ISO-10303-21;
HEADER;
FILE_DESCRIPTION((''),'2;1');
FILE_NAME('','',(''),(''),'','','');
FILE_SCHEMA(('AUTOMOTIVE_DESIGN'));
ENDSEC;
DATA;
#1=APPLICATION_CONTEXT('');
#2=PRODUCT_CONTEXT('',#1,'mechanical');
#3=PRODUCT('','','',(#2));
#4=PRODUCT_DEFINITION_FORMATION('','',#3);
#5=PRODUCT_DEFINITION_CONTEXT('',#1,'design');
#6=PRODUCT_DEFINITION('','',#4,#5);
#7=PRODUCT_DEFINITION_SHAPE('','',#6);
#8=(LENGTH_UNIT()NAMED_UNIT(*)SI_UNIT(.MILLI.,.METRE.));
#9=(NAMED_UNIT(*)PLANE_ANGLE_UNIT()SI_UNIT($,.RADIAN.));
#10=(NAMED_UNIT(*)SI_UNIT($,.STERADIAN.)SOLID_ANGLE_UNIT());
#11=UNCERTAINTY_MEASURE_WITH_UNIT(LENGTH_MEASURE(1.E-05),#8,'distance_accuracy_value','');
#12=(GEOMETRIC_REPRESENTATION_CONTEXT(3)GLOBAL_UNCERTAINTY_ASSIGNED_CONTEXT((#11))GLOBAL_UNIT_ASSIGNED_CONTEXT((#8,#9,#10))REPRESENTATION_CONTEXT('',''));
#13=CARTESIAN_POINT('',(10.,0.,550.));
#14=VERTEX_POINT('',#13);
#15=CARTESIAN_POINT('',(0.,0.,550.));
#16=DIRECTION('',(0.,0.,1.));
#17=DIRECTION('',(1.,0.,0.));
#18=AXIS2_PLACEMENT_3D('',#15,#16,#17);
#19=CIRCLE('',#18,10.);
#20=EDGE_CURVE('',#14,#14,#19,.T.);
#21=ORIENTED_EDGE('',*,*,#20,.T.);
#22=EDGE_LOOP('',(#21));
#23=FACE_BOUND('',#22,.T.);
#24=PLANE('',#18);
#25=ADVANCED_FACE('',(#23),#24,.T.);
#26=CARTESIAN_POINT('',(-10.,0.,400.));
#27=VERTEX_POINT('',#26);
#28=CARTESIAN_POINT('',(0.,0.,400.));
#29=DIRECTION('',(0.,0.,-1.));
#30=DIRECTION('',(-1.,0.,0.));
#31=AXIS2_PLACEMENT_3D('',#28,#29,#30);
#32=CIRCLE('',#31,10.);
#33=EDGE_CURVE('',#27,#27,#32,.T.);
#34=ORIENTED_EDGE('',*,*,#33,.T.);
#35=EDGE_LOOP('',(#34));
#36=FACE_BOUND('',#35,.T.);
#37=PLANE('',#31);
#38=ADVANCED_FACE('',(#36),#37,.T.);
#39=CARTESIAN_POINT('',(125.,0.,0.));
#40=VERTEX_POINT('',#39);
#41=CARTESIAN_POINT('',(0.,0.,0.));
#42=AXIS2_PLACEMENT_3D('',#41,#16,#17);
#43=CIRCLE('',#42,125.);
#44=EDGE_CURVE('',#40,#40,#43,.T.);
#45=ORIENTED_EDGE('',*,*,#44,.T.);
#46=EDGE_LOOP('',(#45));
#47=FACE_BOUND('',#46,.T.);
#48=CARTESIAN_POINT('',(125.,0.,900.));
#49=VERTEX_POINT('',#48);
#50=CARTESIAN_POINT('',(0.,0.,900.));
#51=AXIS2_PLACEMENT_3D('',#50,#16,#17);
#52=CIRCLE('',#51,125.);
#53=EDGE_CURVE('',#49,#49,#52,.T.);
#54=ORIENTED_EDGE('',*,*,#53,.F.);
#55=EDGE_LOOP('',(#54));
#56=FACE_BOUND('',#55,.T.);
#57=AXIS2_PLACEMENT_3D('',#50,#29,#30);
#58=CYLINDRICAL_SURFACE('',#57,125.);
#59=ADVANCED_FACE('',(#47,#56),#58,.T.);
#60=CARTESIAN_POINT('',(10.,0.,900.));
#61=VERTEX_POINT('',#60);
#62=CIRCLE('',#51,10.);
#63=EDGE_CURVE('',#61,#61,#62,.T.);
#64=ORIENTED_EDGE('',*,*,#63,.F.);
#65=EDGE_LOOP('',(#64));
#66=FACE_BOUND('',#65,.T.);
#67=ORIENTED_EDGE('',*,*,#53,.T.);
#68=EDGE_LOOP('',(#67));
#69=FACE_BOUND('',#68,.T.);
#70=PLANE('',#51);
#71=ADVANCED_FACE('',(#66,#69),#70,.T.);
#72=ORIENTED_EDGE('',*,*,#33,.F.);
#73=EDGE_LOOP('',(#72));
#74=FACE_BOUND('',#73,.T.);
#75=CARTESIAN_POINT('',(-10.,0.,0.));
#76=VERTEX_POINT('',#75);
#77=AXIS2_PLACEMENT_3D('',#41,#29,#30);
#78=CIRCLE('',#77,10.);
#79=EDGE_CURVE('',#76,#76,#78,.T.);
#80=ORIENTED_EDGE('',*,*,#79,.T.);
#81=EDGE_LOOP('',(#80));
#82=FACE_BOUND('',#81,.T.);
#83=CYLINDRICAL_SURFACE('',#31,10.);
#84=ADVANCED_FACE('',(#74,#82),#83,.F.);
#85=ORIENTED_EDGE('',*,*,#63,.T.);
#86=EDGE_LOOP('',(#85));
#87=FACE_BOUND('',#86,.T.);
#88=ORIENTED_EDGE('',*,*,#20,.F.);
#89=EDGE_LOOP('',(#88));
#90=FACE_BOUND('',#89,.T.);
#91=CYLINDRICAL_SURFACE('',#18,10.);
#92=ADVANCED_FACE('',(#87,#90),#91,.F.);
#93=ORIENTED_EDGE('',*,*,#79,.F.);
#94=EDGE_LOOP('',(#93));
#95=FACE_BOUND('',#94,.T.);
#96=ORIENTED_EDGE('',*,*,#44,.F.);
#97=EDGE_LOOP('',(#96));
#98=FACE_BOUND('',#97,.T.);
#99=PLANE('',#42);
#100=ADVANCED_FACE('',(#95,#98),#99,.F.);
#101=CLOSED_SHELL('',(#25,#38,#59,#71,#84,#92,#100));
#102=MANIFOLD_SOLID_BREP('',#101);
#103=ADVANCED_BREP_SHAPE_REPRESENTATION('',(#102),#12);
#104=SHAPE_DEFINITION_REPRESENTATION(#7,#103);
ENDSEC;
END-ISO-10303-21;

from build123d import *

# Parameters (mm, degrees)
SKETCH1_R           = 125
BOSS_EXTRUDE1_DEPTH = 900
SKETCH2_R           = 10
CUT_EXTRUDE1_DEPTH  = 350
SKETCH3_R           = 10
CUT_EXTRUDE2_DEPTH  = 400


with BuildPart() as part:
    # Sketch1 → Boss-Extrude1 (new body)
    with BuildSketch(Plane.XY):
        Circle(SKETCH1_R)
    extrude(amount=BOSS_EXTRUDE1_DEPTH)

    # Sketch2 → Cut-Extrude1 (cut)
    with BuildSketch(Plane.XY.offset(900)):
        Circle(SKETCH2_R)
    extrude(amount=-CUT_EXTRUDE1_DEPTH, mode=Mode.SUBTRACT)

    # Sketch3 → Cut-Extrude2 (cut)
    with BuildSketch(Plane(origin=(0, 0, 0), x_dir=(-1, 0, 0), z_dir=(0, 0, -1))):
        Circle(SKETCH3_R)
    extrude(amount=-CUT_EXTRUDE2_DEPTH, mode=Mode.SUBTRACT)


solid = part.part
